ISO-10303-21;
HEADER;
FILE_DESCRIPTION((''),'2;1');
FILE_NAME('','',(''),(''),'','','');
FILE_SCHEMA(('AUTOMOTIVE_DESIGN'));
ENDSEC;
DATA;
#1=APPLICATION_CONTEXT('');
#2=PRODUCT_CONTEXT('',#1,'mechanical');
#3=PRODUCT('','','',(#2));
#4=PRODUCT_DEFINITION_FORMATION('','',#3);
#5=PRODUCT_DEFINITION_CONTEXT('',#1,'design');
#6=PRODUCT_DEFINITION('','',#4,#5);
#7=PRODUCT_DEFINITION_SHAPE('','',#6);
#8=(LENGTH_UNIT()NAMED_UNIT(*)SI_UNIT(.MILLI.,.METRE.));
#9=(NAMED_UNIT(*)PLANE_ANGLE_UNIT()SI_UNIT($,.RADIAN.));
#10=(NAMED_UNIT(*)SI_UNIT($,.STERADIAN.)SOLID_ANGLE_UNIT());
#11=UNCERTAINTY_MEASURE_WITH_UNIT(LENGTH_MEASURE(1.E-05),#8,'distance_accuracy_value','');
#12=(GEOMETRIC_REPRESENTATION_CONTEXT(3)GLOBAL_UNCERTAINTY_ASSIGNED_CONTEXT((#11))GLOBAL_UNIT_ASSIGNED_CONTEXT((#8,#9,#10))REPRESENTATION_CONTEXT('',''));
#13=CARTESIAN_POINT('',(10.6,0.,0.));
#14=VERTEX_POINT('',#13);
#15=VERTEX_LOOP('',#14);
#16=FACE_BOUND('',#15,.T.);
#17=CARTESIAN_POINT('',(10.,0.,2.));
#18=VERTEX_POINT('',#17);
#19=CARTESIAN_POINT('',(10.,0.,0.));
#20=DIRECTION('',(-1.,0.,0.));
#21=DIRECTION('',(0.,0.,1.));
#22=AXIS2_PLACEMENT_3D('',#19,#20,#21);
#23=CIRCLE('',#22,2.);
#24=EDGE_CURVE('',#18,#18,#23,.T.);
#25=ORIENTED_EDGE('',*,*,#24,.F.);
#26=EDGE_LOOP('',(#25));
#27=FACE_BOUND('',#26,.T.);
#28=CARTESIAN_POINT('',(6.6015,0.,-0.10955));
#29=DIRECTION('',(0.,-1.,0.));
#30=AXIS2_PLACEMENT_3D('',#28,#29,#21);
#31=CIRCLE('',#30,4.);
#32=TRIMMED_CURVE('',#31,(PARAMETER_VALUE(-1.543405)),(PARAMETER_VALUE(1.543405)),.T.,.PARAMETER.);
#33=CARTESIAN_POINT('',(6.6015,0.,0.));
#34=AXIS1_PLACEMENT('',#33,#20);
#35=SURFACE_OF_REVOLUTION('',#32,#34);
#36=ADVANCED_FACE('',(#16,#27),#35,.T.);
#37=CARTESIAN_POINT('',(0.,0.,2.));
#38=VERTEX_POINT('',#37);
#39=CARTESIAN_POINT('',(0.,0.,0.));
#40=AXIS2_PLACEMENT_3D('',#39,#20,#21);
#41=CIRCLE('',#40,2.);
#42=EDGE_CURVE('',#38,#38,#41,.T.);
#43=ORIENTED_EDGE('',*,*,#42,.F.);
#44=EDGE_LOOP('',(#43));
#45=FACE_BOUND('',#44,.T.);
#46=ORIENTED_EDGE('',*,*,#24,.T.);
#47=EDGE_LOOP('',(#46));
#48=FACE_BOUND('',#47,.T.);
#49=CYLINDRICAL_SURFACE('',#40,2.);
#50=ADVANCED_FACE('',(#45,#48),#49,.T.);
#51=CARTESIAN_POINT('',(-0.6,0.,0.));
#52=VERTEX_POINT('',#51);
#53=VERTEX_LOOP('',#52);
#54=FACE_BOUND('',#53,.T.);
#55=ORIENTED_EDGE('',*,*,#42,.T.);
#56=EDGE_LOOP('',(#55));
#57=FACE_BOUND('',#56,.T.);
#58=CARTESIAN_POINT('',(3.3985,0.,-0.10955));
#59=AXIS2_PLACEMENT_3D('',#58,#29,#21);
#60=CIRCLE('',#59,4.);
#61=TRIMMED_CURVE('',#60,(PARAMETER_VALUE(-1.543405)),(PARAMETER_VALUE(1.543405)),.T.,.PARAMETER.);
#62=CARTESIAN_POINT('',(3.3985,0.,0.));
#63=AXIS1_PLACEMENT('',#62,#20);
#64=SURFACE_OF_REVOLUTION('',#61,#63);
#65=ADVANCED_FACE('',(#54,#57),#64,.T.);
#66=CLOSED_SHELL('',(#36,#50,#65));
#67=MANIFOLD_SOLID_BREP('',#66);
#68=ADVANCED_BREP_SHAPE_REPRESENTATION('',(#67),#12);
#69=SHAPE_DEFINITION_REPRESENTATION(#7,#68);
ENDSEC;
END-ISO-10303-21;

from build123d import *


with BuildPart() as part:
    # Эскиз1 → Повернуть2 (revolve)
    with BuildSketch(Plane.XY):
        with BuildLine():
            Line((0, 2), (10, 2))
            ThreePointArc((10, 2), (10.432805569, 1.039841671), (10.6, 0))
            Line((10.6, 0), (-0.6, 0))
            ThreePointArc((-0.6, 0), (-0.432805569, 1.039841671), (0, 2))
        make_face()
    revolve(axis=Axis((0, 0, 0), (1, 0, 0)))


solid = part.part
